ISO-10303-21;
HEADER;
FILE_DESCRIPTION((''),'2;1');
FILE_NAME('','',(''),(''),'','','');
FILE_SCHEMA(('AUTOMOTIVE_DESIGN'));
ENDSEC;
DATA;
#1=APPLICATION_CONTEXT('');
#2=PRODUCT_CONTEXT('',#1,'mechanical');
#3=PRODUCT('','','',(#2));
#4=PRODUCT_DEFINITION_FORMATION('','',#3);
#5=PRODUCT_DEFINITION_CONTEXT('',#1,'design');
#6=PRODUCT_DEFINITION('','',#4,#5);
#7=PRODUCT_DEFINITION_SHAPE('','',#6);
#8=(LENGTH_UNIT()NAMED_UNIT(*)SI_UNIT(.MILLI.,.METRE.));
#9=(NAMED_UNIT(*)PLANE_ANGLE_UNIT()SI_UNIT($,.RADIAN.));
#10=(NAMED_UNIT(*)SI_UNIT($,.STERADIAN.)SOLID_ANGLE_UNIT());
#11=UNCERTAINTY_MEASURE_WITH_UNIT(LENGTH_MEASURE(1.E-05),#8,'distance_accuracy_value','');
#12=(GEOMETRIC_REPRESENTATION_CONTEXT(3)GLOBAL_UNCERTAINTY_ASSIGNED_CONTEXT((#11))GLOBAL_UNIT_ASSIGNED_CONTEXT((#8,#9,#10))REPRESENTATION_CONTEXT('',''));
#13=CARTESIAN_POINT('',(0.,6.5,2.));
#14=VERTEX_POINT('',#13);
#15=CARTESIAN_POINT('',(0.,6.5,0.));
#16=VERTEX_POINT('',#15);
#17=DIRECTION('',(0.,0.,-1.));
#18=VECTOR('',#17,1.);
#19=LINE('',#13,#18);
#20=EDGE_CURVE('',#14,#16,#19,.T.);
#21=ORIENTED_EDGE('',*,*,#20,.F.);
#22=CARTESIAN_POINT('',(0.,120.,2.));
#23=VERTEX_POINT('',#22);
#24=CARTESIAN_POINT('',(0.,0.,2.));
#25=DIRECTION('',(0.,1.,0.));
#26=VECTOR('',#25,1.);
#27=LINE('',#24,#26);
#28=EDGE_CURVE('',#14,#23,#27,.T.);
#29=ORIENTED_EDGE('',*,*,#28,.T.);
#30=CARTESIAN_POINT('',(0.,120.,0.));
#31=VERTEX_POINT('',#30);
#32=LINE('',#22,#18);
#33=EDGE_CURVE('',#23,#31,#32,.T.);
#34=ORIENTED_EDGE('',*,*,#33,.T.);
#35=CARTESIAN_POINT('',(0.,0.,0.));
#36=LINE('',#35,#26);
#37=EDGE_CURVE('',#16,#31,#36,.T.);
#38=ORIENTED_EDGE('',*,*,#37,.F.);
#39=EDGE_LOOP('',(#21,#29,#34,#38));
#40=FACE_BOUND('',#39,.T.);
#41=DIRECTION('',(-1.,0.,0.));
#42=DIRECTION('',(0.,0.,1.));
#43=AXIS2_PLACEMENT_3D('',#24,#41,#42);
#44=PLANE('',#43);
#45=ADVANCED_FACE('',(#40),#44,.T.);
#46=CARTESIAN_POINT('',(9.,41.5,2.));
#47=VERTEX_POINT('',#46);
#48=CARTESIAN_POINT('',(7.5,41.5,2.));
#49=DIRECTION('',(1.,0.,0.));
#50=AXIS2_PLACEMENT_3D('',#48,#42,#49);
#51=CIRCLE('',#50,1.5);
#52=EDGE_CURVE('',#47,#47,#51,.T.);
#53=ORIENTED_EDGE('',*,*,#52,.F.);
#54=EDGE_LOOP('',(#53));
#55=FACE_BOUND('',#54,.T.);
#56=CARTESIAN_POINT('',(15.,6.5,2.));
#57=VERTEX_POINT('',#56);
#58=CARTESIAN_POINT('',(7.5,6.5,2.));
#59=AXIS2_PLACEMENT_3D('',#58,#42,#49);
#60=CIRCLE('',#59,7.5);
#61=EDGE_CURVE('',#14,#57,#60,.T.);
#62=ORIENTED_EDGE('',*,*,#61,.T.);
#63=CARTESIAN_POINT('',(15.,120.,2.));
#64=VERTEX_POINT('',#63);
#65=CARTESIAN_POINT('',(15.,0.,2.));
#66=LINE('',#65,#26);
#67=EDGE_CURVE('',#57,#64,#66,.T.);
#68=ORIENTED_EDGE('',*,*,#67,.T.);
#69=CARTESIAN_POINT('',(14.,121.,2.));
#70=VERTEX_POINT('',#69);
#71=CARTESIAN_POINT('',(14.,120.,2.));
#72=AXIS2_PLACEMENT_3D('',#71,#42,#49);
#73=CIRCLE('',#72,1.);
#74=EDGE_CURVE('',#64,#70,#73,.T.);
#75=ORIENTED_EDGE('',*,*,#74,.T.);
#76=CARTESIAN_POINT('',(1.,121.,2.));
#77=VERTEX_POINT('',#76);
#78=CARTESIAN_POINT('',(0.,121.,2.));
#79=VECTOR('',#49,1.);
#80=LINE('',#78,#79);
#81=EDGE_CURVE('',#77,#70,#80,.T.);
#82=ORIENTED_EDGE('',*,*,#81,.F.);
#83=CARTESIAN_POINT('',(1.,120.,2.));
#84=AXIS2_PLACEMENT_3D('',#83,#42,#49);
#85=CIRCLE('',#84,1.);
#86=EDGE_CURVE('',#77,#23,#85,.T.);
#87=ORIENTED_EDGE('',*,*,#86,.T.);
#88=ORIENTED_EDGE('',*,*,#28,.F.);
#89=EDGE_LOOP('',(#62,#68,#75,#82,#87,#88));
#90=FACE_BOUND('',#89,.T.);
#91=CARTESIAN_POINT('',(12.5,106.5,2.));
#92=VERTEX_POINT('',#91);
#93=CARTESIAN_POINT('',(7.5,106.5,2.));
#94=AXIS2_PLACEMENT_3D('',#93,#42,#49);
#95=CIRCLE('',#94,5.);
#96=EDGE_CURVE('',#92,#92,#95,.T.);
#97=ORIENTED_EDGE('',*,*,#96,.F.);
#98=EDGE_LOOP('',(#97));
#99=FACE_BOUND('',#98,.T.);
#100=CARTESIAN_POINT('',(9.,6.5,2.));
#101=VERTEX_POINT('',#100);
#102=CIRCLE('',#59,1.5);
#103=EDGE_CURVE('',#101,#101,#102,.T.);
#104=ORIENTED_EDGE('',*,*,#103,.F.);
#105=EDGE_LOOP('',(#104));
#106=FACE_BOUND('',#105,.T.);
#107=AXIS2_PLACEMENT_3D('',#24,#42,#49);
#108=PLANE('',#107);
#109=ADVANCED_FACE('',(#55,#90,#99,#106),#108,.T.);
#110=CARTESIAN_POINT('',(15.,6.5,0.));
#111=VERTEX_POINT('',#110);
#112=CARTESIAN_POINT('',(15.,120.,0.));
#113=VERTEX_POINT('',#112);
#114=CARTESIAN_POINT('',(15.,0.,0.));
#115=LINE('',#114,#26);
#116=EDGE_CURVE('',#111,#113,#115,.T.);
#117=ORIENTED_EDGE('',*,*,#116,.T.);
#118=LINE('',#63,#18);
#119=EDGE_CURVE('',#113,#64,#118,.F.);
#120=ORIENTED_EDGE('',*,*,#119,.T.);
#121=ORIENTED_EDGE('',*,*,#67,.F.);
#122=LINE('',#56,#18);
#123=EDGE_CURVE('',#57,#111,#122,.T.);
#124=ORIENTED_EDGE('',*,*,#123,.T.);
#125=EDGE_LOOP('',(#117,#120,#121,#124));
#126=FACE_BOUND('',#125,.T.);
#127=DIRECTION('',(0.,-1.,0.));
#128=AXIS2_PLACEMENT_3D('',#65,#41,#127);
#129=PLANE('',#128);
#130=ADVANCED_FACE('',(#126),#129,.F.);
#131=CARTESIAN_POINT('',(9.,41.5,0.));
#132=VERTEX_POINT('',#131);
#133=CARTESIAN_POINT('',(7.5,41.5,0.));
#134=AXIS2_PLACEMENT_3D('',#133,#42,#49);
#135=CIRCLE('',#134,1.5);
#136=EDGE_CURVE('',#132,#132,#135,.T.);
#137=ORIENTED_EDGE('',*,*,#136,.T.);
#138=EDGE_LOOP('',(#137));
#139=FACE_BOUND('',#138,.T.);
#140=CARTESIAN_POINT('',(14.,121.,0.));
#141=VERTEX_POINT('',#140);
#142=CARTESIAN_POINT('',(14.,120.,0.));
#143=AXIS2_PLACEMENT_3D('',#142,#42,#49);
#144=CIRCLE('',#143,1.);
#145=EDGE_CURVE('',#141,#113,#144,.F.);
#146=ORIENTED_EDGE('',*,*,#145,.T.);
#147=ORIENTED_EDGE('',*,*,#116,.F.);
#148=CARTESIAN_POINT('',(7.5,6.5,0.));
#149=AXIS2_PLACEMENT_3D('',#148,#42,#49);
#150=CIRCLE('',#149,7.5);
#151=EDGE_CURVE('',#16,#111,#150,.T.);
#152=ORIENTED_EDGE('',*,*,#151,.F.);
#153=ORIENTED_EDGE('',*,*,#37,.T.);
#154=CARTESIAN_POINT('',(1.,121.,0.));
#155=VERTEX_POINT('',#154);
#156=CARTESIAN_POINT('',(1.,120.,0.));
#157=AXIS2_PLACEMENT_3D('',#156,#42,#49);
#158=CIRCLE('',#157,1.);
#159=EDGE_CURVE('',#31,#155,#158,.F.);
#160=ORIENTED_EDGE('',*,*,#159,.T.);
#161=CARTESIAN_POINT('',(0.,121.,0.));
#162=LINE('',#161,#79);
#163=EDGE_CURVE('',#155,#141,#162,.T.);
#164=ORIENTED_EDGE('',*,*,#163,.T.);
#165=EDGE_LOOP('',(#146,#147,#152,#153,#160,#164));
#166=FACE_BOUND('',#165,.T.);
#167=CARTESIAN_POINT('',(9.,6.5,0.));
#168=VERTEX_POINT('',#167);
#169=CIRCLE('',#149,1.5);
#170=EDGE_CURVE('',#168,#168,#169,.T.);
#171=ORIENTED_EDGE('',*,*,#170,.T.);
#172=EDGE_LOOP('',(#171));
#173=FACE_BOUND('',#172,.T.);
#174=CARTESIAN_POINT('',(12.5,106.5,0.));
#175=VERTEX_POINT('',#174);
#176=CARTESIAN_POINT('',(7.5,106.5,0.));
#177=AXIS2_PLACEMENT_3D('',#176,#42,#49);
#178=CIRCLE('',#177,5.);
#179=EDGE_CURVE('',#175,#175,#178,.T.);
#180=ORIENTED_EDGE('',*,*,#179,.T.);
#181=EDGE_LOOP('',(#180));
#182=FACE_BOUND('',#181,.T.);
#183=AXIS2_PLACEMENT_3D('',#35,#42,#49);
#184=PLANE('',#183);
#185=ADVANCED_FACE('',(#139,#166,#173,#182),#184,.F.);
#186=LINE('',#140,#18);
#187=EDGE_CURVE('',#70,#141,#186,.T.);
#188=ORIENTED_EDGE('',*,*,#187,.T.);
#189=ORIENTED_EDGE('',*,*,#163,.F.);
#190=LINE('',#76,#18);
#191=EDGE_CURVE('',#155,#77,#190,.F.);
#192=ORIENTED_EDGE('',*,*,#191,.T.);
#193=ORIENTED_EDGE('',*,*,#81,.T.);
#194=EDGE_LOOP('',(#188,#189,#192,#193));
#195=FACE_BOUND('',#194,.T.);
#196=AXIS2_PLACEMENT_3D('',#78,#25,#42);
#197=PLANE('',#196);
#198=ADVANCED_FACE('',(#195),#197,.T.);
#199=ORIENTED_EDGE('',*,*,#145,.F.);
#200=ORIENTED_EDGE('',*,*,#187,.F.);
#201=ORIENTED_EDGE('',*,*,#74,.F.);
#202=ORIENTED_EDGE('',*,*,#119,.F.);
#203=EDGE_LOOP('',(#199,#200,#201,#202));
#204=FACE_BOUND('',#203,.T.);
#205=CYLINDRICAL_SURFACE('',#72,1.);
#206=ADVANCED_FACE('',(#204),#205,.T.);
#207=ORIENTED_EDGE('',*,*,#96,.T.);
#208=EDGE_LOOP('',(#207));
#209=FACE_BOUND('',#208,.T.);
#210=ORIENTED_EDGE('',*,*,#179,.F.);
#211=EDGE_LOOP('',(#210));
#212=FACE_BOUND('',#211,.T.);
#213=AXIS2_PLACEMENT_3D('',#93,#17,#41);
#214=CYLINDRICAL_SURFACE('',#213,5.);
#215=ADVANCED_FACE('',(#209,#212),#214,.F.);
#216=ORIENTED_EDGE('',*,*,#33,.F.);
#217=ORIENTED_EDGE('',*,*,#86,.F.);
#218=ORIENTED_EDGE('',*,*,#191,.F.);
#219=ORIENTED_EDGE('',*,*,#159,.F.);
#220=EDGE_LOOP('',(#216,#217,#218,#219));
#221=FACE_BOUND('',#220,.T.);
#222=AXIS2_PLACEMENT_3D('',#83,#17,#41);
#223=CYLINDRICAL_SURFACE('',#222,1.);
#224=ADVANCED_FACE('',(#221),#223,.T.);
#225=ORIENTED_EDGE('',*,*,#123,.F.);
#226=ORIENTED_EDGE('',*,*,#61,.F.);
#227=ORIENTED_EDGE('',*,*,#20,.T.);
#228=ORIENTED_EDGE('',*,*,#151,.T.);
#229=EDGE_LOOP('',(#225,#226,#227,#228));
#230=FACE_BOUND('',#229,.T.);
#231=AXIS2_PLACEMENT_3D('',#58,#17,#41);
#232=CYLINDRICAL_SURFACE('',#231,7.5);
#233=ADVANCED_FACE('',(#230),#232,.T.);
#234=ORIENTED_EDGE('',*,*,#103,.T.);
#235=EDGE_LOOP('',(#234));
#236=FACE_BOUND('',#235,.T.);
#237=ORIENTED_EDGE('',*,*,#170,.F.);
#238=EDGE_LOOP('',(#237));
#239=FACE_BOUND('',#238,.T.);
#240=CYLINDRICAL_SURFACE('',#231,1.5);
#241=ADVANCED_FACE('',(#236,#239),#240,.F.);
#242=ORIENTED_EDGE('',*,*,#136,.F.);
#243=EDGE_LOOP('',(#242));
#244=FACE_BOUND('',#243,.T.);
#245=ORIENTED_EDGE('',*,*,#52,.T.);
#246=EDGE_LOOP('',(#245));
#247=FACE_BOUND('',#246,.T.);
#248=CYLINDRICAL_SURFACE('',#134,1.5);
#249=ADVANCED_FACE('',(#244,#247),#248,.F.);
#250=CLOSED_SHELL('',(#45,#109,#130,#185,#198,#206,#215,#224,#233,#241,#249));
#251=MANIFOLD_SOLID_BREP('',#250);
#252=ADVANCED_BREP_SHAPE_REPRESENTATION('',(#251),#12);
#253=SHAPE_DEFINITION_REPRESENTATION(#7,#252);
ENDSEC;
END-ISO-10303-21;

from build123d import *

# Parameters (mm, degrees)
BOSS_EXTRUDE2_DEPTH = 2
CUT_EXTRUDE1_DEPTH  = 2
FILLET1_R           = 1


with BuildPart() as part:
    # Sketch2 → Boss-Extrude2 (new body)
    with BuildSketch(Plane.XY):
        with BuildLine():
            Line((0, 100), (0, 6.5))
            ThreePointArc((0, 6.5), (7.5, -1), (15, 6.5))
            Line((15, 6.5), (15, 100))
            Line((15, 100), (15, 121))
            Line((15, 121), (7.5, 121))
            Line((7.5, 121), (0, 121))
            Line((0, 121), (0, 100))
        make_face()
        with BuildLine():
            ThreePointArc((9, 6.5), (6.439339828, 5.439339828), (7.5, 8))
            ThreePointArc((7.5, 8), (8.560660172, 7.560660172), (9, 6.5))
        make_face(mode=Mode.SUBTRACT)
        with BuildLine():
            ThreePointArc((12.5, 106.5), (11.035533906, 102.964466094), (7.5, 101.5))
            ThreePointArc((7.5, 101.5), (3.964466094, 110.035533906), (12.5, 106.5))
        make_face(mode=Mode.SUBTRACT)
    extrude(amount=BOSS_EXTRUDE2_DEPTH)

    # Sketch3 → Cut-Extrude1 (cut)
    with BuildSketch(Plane.XY.offset(2)):
        with BuildLine():
            ThreePointArc((7.5, 43), (6.439339828, 40.439339828), (9, 41.5))
            ThreePointArc((9, 41.5), (8.560660172, 42.560660172), (7.5, 43))
        make_face()
    extrude(amount=-CUT_EXTRUDE1_DEPTH, mode=Mode.SUBTRACT)

    # Fillet1
    fillet1_edges = [part.edges().sort_by_distance(p)[0] for p in [
        (15, 121, 1),
        (0, 121, 1),
    ]]
    fillet(fillet1_edges, radius=FILLET1_R)


solid = part.part
